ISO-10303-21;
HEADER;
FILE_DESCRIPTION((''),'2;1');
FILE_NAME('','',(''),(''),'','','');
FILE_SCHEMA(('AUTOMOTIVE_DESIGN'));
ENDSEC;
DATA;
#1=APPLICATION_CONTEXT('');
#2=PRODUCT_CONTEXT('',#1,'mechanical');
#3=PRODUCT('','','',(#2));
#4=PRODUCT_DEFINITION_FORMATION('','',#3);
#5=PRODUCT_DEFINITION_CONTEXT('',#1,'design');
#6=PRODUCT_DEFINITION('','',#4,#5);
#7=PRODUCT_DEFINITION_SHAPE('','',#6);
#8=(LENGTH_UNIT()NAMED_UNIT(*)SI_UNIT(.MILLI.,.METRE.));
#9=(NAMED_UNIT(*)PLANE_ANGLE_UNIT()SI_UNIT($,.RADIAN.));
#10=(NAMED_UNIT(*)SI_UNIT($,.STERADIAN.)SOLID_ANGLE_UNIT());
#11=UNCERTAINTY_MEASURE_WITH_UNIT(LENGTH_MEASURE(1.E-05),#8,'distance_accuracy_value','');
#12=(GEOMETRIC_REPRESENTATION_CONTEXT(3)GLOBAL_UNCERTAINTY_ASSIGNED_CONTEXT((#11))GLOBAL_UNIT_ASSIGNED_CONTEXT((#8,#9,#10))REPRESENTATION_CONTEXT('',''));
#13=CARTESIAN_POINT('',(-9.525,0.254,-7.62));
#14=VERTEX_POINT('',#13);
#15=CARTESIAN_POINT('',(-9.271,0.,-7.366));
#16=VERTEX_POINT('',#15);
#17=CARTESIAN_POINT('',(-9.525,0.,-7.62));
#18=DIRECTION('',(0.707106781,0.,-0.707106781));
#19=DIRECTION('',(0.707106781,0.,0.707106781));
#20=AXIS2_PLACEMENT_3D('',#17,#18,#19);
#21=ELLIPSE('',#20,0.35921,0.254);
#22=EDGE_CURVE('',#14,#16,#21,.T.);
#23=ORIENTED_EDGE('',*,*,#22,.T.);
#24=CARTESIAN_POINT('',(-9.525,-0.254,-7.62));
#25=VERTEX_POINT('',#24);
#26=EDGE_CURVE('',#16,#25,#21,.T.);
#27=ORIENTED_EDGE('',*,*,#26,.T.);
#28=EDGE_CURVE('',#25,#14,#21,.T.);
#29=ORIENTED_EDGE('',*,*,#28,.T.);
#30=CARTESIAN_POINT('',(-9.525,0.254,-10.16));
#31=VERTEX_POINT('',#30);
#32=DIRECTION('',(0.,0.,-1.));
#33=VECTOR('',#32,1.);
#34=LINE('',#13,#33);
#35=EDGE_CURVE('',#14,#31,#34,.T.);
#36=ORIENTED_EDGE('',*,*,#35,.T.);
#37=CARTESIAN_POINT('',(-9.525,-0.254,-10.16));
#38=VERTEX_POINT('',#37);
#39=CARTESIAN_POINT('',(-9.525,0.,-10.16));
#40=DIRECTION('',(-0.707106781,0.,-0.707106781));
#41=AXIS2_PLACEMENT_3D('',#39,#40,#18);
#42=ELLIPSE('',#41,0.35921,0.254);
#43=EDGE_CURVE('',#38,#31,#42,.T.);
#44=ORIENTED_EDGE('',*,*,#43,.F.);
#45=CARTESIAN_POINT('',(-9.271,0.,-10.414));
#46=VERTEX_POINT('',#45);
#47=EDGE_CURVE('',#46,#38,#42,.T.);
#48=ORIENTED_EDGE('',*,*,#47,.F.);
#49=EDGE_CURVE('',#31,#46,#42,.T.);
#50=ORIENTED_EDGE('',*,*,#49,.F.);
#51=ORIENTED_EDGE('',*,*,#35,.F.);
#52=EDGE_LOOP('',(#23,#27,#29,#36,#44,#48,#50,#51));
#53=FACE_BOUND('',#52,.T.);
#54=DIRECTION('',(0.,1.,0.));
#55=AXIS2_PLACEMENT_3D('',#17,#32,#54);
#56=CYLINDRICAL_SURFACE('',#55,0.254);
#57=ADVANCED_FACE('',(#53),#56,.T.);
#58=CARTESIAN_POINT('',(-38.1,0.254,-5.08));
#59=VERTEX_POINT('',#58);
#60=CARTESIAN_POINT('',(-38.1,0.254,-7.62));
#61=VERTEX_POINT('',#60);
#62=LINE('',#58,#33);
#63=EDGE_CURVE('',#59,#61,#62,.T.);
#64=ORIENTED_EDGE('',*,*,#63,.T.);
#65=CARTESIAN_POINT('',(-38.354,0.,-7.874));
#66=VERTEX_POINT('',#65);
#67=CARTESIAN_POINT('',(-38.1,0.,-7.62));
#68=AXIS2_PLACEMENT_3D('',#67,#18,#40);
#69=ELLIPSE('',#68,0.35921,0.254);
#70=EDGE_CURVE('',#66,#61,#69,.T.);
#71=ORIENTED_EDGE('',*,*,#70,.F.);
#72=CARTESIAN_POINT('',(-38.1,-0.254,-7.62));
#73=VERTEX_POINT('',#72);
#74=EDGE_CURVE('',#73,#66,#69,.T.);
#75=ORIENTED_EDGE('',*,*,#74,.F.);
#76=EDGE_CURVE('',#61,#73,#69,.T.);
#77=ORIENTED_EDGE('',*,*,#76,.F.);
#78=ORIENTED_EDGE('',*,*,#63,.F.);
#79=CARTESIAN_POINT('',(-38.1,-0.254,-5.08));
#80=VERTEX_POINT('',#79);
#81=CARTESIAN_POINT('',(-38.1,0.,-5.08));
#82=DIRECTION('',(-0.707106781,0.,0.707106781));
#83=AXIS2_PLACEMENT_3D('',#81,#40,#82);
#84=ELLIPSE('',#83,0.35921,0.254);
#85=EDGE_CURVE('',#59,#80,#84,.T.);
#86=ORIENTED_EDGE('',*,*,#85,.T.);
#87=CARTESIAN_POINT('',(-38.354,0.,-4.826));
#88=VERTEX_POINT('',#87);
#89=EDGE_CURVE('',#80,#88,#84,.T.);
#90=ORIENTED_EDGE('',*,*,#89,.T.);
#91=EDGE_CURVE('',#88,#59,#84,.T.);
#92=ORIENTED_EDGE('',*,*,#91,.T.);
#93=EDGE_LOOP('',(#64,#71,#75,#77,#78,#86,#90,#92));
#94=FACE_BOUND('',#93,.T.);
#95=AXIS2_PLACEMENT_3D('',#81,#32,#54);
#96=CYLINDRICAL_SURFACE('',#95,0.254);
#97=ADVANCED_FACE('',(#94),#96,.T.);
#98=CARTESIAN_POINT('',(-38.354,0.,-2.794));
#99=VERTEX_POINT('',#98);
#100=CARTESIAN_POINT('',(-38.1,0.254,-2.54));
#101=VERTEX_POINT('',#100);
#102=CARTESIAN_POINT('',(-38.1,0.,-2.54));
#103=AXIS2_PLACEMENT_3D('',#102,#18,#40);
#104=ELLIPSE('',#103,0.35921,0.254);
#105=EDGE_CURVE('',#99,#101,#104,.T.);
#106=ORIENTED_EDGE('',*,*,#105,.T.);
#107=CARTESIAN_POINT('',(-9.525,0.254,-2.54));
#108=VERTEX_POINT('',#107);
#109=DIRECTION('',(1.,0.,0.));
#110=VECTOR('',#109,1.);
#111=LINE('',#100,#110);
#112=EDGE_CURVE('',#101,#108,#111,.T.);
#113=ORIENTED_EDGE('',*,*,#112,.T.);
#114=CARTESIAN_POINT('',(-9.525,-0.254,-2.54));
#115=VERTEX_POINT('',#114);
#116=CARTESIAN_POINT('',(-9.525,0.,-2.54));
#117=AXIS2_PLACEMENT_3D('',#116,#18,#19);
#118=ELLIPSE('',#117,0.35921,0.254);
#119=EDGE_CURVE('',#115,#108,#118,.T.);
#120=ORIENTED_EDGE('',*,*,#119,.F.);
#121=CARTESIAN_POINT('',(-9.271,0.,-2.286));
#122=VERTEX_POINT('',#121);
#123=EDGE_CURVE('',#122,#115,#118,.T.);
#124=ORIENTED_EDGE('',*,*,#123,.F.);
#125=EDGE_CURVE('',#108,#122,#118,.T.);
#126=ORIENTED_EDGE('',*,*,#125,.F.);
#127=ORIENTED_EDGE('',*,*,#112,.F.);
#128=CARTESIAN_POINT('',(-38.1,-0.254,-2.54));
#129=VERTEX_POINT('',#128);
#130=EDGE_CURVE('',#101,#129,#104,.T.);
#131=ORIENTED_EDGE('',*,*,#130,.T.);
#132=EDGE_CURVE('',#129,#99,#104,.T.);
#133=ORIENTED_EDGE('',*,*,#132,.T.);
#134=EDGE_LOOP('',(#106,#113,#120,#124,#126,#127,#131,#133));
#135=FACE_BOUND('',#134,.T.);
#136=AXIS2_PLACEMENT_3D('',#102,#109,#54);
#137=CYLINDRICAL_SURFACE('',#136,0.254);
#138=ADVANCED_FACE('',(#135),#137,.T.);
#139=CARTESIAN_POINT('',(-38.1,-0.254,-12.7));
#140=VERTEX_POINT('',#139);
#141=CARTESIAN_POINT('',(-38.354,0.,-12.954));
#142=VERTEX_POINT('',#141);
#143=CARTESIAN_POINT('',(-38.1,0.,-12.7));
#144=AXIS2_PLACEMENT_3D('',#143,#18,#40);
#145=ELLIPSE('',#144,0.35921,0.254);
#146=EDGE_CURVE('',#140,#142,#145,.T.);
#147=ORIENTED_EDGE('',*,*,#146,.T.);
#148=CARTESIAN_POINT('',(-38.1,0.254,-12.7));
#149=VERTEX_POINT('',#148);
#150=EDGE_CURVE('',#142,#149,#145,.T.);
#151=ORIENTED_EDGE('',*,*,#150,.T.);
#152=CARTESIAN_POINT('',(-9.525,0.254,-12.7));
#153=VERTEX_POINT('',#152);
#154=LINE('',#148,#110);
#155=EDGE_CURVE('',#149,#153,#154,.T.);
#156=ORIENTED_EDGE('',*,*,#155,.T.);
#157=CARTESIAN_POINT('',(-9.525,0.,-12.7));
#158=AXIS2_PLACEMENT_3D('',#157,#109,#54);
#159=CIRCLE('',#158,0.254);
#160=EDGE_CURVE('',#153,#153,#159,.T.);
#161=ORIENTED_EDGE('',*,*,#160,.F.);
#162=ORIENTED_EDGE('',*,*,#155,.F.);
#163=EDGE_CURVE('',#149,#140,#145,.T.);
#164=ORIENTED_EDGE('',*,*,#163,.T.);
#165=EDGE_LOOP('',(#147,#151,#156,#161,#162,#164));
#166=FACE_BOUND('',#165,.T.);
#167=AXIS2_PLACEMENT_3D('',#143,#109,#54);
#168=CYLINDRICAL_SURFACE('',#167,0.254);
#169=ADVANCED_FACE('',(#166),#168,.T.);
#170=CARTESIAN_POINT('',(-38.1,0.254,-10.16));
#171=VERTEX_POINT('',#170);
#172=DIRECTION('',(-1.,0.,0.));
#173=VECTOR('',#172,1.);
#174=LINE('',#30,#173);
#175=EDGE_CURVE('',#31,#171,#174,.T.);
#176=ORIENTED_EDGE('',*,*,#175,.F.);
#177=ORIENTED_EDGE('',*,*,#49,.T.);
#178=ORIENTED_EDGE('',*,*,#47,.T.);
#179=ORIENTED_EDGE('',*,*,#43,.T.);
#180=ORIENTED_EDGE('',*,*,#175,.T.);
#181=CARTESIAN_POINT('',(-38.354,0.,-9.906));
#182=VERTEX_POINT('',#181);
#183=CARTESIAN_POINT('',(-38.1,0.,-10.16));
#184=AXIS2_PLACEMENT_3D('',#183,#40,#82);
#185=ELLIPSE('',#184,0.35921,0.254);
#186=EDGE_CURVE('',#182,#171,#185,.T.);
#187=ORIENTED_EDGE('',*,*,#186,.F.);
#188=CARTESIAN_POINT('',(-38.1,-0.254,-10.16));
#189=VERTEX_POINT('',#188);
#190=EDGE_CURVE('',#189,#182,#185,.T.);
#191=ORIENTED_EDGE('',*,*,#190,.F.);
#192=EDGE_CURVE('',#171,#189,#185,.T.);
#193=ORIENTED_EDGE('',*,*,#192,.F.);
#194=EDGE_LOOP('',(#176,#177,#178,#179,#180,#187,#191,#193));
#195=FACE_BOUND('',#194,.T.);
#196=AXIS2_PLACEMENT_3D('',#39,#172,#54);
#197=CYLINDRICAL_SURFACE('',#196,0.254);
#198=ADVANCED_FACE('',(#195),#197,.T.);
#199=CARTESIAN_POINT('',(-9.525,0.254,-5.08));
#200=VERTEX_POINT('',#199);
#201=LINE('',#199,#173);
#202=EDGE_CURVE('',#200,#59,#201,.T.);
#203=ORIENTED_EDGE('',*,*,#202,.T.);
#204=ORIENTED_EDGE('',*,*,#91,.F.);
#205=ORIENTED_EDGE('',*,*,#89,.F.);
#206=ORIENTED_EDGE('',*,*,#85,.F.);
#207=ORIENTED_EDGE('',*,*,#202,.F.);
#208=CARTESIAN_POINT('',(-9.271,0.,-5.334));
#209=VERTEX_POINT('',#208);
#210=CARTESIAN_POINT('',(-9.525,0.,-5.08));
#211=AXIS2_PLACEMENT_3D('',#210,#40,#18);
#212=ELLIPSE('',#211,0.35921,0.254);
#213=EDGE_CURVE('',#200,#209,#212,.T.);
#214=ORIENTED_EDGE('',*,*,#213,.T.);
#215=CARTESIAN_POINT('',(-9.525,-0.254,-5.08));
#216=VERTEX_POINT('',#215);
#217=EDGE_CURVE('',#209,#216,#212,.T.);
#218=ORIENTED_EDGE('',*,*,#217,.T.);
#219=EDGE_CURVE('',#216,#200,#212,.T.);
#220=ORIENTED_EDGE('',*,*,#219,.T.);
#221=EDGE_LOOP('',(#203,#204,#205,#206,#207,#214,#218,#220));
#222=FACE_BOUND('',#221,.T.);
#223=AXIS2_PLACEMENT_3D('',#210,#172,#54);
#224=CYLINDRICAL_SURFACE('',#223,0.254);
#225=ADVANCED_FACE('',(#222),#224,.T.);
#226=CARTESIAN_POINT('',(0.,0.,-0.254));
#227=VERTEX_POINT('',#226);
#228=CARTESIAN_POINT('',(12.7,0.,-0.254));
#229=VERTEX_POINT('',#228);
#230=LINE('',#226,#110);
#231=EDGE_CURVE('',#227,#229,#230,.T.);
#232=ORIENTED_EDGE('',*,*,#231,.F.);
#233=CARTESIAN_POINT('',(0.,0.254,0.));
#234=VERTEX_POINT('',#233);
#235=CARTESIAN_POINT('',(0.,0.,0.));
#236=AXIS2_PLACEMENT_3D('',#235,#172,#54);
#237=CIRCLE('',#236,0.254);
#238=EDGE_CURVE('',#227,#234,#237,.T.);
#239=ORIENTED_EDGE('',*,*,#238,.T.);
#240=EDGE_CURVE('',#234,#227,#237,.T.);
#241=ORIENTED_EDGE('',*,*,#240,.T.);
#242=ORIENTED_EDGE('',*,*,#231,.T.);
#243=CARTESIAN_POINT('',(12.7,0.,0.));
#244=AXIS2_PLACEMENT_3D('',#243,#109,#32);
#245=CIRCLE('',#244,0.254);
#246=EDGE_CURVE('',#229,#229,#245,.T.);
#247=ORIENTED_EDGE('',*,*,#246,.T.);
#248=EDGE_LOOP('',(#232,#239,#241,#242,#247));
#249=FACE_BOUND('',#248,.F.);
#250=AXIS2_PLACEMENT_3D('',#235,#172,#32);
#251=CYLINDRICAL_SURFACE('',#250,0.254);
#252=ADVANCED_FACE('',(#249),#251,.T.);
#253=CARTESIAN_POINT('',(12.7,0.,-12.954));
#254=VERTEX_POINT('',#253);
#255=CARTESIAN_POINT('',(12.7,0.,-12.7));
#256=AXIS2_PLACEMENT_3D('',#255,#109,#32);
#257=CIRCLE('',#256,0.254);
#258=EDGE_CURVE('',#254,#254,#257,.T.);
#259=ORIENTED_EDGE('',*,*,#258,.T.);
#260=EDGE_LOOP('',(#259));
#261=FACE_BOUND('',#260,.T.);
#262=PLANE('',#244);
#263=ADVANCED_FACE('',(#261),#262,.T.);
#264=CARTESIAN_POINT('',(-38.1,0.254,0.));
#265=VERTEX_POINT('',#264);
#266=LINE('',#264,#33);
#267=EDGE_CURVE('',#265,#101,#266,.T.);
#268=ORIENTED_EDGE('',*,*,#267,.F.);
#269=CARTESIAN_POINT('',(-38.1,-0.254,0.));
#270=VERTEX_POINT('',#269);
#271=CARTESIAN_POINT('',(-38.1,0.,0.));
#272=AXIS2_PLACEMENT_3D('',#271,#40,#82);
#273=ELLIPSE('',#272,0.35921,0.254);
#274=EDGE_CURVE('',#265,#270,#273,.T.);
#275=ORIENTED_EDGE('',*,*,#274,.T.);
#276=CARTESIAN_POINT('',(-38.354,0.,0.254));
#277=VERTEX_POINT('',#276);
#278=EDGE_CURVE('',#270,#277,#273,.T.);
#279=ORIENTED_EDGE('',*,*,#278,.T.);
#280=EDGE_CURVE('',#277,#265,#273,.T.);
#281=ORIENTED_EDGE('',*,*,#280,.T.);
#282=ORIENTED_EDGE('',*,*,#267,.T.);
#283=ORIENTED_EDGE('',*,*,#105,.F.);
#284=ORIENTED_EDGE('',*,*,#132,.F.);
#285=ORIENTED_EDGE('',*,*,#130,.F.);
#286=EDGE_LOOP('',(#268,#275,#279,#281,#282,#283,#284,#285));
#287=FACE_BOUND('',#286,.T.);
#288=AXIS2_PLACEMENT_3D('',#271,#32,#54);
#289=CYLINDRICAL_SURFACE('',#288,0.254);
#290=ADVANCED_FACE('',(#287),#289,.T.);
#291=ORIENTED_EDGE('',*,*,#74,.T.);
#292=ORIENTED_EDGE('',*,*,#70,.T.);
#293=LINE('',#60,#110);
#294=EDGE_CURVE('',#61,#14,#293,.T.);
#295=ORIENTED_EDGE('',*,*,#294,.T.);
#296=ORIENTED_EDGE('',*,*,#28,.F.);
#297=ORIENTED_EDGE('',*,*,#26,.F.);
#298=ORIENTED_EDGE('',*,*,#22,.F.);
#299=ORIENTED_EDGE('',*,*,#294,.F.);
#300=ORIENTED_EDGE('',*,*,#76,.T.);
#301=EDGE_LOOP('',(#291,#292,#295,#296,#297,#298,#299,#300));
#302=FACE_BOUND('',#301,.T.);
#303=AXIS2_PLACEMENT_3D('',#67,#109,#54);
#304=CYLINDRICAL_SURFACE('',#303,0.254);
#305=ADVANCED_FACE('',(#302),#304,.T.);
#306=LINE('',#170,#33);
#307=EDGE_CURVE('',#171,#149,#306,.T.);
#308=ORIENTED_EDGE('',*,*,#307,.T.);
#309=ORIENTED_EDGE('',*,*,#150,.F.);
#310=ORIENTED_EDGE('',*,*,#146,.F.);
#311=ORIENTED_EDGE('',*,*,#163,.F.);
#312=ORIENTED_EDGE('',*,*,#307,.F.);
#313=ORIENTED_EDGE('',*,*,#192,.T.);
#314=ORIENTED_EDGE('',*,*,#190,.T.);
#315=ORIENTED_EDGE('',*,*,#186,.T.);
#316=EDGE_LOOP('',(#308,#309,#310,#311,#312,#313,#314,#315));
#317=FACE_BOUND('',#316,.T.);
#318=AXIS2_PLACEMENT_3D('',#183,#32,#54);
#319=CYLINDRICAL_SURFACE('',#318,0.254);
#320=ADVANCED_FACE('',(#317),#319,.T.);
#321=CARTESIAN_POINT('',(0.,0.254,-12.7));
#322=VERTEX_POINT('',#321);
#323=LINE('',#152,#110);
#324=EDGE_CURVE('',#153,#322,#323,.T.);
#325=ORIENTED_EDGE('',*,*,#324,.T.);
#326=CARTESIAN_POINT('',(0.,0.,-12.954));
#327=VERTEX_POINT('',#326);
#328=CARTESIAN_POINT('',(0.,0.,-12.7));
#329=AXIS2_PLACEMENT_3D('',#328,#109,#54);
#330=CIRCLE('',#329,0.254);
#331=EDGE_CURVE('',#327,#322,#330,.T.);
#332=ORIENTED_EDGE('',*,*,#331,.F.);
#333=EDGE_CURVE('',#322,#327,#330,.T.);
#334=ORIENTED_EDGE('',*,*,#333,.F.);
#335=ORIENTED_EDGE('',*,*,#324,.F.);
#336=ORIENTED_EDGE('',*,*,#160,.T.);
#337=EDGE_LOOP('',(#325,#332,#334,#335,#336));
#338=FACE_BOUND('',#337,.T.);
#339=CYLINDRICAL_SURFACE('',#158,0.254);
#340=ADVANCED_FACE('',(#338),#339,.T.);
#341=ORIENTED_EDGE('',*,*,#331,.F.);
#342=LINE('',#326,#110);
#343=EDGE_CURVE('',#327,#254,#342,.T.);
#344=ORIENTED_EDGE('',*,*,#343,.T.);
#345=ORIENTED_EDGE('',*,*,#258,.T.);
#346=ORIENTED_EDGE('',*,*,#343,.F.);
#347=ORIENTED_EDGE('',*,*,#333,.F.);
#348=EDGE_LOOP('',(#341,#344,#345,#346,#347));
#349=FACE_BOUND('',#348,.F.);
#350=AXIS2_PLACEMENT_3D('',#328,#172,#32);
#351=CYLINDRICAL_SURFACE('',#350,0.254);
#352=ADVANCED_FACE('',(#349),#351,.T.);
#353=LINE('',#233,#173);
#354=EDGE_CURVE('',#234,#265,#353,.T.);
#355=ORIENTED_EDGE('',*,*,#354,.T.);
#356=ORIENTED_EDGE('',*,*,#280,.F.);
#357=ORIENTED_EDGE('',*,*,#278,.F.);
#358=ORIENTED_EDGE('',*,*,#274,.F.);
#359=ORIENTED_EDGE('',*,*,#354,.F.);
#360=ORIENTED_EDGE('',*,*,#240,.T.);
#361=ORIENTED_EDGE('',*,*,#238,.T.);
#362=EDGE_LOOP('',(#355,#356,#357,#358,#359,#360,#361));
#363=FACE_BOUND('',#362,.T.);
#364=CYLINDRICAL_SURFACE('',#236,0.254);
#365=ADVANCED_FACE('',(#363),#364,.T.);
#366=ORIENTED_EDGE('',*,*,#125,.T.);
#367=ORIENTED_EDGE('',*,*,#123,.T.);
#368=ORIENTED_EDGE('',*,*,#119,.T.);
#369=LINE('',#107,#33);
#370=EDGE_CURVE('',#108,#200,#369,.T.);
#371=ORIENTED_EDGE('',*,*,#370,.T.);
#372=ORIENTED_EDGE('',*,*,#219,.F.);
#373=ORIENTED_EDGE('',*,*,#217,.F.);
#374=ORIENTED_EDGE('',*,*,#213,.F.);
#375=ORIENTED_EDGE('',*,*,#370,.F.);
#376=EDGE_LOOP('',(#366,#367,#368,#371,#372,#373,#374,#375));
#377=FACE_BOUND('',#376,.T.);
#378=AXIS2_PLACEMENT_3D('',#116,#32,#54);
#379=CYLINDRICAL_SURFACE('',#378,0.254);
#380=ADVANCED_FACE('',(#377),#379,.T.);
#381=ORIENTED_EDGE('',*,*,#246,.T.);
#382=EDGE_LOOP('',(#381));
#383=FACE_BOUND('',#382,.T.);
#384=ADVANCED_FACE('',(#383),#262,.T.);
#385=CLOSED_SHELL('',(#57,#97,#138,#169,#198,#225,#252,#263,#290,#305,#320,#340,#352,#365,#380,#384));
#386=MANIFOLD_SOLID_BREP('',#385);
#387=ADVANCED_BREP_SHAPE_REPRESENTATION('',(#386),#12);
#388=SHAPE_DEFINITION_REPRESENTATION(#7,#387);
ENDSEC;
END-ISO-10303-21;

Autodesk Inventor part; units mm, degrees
ref_plane "XZ Plane" through (0, 0, 0) normal (0, 1, 0) x (-1, 0, 0)
sketch "Sketch1" plane through (0, 0, 0) normal (0, 1, 0) x (-1, 0, 0)
  line L0 (0, 0) -> (38.1, 0)
  line L1 (38.1, 0) -> (38.1, -2.54)
  line L2 (38.1, -2.54) -> (9.525, -2.54)
  line L3 (9.525, -2.54) -> (9.525, -5.08)
  line L4 (9.525, -5.08) -> (38.1, -5.08)
  line L5 (38.1, -5.08) -> (38.1, -7.62)
  line L6 (38.1, -7.62) -> (9.525, -7.62)
  line L7 (9.525, -7.62) -> (9.525, -10.16)
  line L8 (9.525, -10.16) -> (38.1, -10.16)
  line L9 (38.1, -10.16) -> (38.1, -12.7)
  line L10 (38.1, -12.7) -> (9.525, -12.7)
  line L11 (9.525, -12.7) -> (0, -12.7)
  dimension "d0" = 38.1
  dimension "d1" = 2.54
  dimension "d2" = 28.575
  dimension "d3" = 2.54
sketch "Sketch2" plane through (0, 0, 0) normal (1, 0, 0) x (0, 1, 0)
  line L0 (0.635, 0.635) -> (-0.635, -0.635) construction
  line L1 (-0.635, 0.635) -> (0.635, -0.635) construction
  circle A0 centre (0, 0) radius 0.254
  dimension "d4" = 1.27
  dimension "d5" = 1.27
  dimension "d8" = 0.508
sweep "Sweep1" add profiles "Sketch2" path "Sketch1"
ref_plane "Work Plane1" through (6.35, 0, 0) normal (1, 0, 0) x (0, 1, 0)
ref_plane "Work Plane2" through (0, 0, -6.35) normal (0, 0, 1) x (1, 0, 0)
sketch "Sketch5" plane through (0, 0, 0) normal (1, 0, 0) x (0, 0, -1)
  circle A0 centre (12.7, 0) radius 0.254 projected
  circle A1 centre (12.7, 0) radius 0.254
  circle A2 centre (0, 0) radius 0.254
extrude "Extrusion3" add sketch "Sketch5" along normal blind 12.7
properties part number "strain guage abs" material "Silver"
